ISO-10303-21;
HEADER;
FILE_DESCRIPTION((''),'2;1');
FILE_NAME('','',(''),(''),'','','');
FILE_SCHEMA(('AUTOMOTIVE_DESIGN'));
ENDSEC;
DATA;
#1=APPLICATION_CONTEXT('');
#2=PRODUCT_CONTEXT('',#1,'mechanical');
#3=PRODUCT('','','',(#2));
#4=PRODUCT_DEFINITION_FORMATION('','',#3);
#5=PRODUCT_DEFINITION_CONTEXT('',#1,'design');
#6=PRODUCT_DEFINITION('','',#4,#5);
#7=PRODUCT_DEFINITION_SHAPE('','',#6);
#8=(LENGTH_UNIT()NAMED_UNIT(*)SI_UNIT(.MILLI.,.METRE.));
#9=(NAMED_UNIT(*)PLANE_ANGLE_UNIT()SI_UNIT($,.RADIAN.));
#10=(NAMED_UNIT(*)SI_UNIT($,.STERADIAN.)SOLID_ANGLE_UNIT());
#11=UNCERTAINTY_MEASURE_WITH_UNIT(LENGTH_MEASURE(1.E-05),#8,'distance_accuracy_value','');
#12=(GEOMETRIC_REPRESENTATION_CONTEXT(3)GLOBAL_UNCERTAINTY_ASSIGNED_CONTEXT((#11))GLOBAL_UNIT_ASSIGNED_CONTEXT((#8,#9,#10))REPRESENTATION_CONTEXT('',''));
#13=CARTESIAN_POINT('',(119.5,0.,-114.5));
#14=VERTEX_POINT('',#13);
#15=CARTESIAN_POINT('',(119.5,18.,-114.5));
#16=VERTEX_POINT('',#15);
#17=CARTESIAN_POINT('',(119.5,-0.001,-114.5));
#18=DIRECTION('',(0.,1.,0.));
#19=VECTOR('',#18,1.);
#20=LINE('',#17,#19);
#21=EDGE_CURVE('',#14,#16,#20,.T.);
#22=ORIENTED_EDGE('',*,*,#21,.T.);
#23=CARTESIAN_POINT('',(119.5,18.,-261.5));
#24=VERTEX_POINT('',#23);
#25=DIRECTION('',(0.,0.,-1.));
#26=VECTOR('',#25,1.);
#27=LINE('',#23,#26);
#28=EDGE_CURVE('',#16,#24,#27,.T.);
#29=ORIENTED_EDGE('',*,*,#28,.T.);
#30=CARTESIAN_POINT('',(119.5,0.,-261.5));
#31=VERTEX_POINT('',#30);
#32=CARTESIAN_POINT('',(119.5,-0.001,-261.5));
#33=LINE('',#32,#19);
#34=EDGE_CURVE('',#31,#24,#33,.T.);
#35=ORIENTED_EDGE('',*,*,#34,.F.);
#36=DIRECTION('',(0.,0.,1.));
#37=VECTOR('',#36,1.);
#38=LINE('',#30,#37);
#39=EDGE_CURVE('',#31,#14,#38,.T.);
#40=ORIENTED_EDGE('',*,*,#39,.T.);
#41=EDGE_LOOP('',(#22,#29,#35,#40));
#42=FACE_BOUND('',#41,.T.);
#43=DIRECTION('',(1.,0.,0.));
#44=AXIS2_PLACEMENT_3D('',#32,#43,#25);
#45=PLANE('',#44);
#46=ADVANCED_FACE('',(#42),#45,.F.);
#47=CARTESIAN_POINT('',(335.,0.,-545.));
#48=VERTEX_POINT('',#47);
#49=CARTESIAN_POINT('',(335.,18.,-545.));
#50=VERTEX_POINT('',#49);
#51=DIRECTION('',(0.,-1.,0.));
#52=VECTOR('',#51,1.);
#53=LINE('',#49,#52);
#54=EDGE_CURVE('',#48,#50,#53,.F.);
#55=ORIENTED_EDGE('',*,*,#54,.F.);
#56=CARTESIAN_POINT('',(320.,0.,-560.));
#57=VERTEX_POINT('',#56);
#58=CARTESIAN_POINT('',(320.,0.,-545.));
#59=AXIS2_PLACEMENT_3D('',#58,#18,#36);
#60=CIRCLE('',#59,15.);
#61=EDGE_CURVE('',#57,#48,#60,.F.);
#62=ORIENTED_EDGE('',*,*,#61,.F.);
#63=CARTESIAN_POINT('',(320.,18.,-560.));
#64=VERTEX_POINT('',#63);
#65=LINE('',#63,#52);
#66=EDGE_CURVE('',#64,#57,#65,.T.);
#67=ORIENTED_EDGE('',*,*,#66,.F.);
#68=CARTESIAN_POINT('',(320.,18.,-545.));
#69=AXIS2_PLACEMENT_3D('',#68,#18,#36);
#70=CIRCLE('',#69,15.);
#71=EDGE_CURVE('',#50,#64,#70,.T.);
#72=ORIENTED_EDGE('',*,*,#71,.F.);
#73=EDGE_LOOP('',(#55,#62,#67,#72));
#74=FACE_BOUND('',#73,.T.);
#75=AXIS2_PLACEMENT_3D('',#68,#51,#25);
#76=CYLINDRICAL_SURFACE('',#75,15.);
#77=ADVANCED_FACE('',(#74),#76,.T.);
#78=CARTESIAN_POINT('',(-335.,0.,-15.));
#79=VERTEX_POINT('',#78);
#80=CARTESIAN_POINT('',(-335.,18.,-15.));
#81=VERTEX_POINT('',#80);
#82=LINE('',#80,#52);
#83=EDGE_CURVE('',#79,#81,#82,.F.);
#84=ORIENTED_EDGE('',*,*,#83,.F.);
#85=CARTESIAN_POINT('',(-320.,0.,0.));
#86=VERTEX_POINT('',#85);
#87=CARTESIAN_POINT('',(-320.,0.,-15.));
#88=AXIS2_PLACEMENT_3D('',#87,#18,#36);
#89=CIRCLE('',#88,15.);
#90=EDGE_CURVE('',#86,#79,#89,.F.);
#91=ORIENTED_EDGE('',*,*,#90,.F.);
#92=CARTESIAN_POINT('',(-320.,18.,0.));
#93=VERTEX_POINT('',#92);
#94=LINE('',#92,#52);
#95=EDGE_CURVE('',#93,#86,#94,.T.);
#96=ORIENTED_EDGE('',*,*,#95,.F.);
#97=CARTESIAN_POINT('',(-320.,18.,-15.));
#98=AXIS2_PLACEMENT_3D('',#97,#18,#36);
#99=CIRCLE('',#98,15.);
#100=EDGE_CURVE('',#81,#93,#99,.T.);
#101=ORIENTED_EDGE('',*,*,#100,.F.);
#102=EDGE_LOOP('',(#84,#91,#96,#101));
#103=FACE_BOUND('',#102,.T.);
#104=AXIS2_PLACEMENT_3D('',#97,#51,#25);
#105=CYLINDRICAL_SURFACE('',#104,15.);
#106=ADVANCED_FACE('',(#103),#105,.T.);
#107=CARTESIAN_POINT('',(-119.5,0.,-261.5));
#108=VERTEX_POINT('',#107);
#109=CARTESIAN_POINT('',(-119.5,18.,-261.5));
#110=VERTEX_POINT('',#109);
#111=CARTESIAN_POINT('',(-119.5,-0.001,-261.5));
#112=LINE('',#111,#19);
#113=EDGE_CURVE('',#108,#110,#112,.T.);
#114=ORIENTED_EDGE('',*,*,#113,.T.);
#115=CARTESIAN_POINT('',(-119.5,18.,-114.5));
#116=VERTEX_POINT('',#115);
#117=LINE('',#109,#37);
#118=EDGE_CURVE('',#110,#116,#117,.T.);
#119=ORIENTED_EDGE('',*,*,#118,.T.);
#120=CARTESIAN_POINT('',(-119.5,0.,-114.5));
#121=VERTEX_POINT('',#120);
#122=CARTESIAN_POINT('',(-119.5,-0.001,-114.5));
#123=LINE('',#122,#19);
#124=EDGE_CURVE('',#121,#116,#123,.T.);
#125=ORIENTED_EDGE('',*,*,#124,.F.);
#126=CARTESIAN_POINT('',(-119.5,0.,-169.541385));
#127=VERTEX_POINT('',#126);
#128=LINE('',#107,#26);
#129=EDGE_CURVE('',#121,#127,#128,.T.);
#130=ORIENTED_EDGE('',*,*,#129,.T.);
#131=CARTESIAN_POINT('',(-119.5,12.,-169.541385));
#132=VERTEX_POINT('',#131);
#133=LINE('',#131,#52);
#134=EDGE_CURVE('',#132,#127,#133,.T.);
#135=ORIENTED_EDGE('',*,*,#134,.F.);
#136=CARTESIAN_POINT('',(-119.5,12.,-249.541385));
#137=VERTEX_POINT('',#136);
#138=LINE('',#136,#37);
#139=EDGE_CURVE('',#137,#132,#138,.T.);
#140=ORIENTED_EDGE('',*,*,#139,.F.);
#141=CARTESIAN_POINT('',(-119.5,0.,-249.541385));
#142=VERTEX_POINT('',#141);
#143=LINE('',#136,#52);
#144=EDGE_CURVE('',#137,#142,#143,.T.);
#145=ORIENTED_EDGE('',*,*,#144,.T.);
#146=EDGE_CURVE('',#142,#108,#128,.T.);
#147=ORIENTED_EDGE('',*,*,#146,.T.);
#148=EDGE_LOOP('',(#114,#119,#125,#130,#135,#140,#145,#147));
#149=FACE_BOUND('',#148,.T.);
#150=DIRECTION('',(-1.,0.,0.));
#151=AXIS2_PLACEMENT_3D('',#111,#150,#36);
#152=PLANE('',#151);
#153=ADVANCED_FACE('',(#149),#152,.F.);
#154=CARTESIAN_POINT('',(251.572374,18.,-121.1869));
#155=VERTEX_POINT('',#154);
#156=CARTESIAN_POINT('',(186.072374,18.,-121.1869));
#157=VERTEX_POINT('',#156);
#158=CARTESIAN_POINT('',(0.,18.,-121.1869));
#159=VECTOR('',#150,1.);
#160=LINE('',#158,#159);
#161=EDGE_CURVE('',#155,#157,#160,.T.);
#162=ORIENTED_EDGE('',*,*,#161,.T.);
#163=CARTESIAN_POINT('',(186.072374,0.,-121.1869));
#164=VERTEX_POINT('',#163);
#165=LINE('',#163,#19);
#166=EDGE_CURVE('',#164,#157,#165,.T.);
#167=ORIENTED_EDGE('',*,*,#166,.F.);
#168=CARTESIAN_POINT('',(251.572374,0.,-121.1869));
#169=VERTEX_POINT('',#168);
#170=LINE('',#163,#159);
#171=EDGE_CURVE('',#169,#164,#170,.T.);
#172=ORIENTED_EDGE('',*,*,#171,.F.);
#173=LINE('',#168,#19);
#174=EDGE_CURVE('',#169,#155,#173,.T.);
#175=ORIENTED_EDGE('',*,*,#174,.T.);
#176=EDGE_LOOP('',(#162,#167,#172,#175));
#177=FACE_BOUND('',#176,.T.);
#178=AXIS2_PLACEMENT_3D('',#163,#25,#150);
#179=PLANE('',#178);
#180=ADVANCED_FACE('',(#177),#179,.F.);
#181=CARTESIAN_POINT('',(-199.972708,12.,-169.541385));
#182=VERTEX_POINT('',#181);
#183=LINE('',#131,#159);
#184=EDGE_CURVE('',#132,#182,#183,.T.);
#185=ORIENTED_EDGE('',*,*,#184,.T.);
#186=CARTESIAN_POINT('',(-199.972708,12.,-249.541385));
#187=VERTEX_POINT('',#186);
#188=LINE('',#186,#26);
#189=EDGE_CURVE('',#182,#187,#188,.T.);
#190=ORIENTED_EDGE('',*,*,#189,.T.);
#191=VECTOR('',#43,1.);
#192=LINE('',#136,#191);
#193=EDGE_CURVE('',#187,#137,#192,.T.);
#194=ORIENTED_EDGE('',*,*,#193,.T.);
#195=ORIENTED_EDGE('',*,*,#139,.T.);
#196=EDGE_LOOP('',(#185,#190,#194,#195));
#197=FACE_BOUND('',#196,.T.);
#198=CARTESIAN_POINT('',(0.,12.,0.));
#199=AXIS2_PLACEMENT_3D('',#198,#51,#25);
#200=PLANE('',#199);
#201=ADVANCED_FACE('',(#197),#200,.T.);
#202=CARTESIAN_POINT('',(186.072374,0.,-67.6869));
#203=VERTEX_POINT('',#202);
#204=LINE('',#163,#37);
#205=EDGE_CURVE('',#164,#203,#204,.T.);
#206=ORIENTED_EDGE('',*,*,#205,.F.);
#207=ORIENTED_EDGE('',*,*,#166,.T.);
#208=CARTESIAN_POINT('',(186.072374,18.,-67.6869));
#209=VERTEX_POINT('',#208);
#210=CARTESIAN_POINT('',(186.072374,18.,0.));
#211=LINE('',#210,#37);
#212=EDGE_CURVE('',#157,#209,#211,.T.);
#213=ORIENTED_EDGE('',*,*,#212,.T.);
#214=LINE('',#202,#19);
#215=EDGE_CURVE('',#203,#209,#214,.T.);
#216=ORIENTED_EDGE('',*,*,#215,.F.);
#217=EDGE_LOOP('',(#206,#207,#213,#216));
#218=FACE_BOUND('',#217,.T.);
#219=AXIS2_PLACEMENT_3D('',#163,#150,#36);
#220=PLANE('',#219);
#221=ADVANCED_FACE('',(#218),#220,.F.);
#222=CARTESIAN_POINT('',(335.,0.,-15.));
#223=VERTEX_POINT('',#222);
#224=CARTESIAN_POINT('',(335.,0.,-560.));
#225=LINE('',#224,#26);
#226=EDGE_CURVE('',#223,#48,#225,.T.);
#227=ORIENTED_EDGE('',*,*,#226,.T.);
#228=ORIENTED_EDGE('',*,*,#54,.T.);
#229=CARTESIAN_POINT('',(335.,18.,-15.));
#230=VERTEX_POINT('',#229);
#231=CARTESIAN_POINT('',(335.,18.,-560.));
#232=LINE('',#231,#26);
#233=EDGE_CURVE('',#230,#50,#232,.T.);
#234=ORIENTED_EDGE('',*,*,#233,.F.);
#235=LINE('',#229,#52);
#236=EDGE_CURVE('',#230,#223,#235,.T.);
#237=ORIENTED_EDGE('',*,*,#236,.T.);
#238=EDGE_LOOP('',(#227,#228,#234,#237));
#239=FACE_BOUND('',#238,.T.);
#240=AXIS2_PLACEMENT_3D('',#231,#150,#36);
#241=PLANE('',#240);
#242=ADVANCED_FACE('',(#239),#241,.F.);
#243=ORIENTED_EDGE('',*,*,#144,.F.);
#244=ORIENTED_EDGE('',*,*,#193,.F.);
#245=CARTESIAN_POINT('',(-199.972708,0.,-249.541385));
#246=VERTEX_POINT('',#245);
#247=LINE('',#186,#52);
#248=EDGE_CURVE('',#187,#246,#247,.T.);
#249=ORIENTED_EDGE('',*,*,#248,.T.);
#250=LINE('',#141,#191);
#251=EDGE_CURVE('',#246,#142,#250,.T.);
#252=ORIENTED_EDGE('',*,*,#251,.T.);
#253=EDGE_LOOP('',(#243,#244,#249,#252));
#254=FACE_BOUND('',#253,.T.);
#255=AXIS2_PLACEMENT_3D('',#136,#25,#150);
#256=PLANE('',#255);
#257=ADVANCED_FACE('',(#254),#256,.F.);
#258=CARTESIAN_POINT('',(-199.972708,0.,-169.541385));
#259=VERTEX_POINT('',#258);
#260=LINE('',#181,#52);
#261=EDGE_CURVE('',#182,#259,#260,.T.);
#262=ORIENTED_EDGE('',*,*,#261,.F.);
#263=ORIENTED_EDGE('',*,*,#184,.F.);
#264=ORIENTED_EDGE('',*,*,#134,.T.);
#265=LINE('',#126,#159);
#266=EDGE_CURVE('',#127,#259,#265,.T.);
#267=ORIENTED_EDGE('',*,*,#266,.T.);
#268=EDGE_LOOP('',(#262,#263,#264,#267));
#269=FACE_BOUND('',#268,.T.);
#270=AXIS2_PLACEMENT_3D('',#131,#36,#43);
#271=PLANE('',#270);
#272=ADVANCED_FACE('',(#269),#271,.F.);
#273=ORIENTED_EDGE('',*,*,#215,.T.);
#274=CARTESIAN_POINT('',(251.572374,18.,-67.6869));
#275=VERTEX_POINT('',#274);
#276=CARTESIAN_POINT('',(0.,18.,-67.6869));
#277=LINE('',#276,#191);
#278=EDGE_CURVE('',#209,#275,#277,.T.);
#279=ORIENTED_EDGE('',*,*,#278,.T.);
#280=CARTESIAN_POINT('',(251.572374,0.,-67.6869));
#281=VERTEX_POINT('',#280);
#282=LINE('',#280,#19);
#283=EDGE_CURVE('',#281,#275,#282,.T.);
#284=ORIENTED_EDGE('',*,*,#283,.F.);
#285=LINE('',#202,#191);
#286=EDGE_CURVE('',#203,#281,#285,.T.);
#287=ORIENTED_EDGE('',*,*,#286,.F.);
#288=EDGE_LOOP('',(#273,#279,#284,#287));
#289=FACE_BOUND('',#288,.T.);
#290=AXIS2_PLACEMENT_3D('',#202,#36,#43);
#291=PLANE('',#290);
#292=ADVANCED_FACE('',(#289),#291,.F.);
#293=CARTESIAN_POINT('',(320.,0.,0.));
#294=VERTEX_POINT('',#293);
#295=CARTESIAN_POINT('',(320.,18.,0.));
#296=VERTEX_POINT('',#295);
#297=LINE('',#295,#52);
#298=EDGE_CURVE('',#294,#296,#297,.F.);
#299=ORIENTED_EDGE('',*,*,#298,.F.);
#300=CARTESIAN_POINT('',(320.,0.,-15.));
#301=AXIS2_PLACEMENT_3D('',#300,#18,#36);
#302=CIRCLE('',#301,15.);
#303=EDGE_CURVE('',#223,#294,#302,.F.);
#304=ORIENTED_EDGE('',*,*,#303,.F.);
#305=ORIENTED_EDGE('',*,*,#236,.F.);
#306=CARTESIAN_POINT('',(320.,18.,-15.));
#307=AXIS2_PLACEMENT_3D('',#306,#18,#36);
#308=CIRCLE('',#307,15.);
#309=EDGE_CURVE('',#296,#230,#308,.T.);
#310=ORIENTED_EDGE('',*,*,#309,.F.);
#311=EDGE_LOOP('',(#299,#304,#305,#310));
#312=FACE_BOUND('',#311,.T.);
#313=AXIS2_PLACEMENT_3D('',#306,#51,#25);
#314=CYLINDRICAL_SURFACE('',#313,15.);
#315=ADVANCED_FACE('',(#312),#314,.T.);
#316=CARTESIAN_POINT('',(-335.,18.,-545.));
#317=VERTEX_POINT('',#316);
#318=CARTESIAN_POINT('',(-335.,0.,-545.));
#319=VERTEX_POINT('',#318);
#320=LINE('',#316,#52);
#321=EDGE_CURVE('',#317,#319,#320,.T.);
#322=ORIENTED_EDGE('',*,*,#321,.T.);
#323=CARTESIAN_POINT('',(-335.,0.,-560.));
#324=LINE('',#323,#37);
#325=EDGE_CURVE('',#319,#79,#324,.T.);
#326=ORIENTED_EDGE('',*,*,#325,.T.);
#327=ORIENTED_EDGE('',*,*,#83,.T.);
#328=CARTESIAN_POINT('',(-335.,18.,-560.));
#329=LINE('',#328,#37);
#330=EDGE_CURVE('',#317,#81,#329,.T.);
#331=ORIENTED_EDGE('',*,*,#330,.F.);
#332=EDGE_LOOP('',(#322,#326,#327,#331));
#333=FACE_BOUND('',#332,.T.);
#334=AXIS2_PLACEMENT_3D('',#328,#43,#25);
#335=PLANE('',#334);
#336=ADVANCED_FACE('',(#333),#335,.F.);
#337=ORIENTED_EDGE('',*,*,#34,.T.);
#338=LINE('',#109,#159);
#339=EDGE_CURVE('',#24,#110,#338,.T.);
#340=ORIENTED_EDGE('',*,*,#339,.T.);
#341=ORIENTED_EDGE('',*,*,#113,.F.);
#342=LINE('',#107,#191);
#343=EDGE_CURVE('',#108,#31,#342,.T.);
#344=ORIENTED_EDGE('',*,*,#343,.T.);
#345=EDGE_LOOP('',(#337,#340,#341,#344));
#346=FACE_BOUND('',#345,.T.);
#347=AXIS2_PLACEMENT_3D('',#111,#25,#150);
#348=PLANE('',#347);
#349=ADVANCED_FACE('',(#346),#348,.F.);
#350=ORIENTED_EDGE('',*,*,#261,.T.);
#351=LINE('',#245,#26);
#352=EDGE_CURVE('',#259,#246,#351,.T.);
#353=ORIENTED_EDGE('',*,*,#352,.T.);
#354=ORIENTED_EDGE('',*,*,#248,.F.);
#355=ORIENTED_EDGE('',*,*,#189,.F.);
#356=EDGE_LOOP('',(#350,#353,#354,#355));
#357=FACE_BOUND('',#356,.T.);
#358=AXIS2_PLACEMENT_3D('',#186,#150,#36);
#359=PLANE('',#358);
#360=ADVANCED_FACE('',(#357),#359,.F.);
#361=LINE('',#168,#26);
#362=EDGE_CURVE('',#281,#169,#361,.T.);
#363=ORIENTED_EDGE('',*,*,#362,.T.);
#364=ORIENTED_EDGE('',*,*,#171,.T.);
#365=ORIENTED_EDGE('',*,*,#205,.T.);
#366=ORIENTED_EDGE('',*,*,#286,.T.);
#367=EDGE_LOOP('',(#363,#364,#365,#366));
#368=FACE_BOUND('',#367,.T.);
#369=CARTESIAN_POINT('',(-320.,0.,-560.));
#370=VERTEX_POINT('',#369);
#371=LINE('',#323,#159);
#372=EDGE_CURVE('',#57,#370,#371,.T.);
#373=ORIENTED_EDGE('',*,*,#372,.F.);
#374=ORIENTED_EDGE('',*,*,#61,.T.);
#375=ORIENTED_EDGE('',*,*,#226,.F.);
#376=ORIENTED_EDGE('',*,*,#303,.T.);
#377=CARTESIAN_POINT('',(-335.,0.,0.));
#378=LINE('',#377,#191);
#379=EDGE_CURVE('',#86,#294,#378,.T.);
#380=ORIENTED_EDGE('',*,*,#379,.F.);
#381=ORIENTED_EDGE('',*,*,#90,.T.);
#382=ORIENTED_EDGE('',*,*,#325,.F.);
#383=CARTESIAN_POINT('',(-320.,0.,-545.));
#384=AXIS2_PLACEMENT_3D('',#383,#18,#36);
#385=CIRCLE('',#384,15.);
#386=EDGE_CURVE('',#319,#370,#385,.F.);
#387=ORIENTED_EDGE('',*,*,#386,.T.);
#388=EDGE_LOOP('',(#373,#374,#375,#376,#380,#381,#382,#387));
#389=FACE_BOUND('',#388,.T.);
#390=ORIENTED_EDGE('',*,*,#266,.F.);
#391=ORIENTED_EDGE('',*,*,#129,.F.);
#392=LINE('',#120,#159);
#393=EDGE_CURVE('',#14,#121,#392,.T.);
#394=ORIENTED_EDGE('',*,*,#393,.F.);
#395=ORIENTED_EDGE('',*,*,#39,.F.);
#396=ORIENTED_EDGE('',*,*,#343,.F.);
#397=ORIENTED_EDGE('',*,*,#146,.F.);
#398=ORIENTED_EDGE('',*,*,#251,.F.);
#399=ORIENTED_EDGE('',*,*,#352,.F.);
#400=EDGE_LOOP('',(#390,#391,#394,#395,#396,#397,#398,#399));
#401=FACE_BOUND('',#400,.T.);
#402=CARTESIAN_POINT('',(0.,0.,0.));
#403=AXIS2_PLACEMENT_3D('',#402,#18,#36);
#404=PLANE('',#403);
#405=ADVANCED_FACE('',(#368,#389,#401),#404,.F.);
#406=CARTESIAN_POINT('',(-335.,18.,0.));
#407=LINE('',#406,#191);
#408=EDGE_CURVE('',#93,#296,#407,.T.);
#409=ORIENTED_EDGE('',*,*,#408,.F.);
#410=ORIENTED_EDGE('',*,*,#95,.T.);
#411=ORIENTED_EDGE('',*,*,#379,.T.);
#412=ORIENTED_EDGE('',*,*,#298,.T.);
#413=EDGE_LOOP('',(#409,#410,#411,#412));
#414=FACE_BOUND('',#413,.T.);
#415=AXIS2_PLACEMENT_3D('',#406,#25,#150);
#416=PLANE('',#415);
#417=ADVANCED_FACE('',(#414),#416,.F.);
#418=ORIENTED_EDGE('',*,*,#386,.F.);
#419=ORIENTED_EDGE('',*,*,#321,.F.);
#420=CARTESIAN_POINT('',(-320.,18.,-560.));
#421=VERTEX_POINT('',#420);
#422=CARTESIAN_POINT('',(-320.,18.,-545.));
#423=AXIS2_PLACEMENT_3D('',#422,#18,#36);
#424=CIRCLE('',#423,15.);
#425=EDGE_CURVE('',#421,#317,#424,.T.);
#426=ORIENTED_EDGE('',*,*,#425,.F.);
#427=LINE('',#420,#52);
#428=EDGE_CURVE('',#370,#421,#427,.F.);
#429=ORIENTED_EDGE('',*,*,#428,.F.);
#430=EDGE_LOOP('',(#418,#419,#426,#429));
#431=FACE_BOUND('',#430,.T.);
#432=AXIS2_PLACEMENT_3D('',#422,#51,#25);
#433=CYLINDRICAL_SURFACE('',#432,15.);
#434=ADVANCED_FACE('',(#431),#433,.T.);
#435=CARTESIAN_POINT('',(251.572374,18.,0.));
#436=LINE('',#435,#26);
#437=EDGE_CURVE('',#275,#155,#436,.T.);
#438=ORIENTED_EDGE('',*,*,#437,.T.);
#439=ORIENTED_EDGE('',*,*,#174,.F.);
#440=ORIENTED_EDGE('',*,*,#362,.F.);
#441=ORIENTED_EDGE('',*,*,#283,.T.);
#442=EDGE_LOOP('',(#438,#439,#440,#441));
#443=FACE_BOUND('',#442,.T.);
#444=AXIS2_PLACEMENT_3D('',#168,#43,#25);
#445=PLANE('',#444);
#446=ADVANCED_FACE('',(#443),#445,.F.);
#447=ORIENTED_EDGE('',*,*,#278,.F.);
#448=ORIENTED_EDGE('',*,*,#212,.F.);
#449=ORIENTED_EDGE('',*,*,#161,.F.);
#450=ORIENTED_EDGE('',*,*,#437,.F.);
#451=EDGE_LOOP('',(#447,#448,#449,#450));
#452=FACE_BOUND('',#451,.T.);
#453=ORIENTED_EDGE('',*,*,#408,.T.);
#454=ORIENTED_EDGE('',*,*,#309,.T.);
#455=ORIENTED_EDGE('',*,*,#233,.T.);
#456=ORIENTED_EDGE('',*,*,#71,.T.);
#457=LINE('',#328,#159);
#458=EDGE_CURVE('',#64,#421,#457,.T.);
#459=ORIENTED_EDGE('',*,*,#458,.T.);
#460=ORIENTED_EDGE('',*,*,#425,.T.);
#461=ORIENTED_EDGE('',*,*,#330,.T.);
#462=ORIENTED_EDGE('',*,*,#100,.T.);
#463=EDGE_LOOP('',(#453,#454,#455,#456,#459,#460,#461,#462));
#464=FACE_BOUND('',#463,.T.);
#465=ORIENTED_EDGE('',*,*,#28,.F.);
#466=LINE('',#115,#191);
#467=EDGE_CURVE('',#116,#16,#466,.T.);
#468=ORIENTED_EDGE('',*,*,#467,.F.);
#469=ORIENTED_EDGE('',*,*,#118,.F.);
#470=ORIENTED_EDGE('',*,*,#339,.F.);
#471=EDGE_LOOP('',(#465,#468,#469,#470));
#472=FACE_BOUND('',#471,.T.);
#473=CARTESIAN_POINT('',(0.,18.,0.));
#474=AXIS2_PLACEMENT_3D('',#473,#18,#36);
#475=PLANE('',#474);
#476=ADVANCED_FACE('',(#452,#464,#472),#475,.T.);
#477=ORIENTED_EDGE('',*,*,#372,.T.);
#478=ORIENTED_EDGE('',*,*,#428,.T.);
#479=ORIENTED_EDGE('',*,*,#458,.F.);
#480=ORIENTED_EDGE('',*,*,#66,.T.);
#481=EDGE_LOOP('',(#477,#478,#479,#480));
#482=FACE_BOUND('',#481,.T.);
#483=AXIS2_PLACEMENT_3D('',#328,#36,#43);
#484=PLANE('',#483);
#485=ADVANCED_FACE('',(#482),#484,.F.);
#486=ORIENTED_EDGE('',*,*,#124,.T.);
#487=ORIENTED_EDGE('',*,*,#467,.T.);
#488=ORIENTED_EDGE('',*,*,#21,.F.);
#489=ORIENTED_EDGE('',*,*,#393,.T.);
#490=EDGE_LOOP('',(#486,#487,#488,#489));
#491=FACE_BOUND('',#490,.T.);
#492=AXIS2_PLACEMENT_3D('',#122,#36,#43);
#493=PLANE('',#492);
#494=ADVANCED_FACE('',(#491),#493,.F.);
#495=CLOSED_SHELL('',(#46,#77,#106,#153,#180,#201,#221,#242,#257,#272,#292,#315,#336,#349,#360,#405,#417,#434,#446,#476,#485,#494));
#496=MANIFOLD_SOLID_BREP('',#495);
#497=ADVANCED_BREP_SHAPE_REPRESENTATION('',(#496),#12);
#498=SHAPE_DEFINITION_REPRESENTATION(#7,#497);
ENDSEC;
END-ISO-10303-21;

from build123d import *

# Parameters (mm, degrees)
SKETCH_1_W               = 670
SKETCH_1_H               = 560
EXTRUDE_1_DEPTH          = 18
CUT_EXTRUDE_1_DEPTH      = 653.80088848
CUT_EXTRUDE_1_DEPTH_BACK = 653.80088848
SKETCH_2_W               = 65.5
SKETCH_2_H               = 53.5
CUT_EXTRUDE_2_DEPTH      = 653.80088848
CUT_EXTRUDE_2_DEPTH_BACK = 653.80088848
SKETCH_3_W               = 228
SKETCH_3_H               = 136
CUT_EXTRUDE_3_REACH      = 654.801
SKETCH_4_W               = 239
SKETCH_4_H               = 147
FILLET_1_R               = 15
SKETCH_8_W               = 80.472707968
SKETCH_8_H               = 80
CUT_EXTRUDE_4_DEPTH      = 12


with BuildPart() as part:
    # 草图1 → 凸台-拉伸1 (new body)
    with BuildSketch(Plane(origin=(0, 0, 0), x_dir=(1, 0, 0), z_dir=(0, 1, 0))):
        with Locations((0, 280)):
            Rectangle(SKETCH_1_W, SKETCH_1_H)
    extrude(amount=EXTRUDE_1_DEPTH)

    # 草图2 → 切除-拉伸1 (cut, two sides: drawn at the far end of the back side and taken through both)
    with BuildSketch(Plane(origin=(0, 18, 0), x_dir=(1, 0, 0), z_dir=(0, 1, 0)).offset(-CUT_EXTRUDE_1_DEPTH_BACK)):
        with Locations((218.822373939, 94.436899918)):
            Rectangle(SKETCH_2_W, SKETCH_2_H)
    extrude(amount=CUT_EXTRUDE_1_DEPTH + CUT_EXTRUDE_1_DEPTH_BACK, mode=Mode.SUBTRACT)

    # 草图3 → 切除-拉伸2 (cut, two sides: drawn at the far end of the back side and taken through both)
    with BuildSketch(Plane(origin=(0, 18, 0), x_dir=(1, 0, 0), z_dir=(0, 1, 0)).offset(-CUT_EXTRUDE_2_DEPTH_BACK)):
        with Locations((0, 188)):
            Rectangle(SKETCH_3_W, SKETCH_3_H)
    extrude(amount=CUT_EXTRUDE_2_DEPTH + CUT_EXTRUDE_2_DEPTH_BACK, mode=Mode.SUBTRACT)

    # 草图4 → 切除-拉伸3 (cut, up to next)
    with BuildSketch(Plane(origin=(0, 18, 0), x_dir=(1, 0, 0), z_dir=(0, 1, 0)), mode=Mode.PRIVATE) as cut_extrude_3_sk1:
        with Locations((0, 188)):
            Rectangle(SKETCH_4_W, SKETCH_4_H)
    cut_extrude_3_tool1 = extrude(cut_extrude_3_sk1.sketch, amount=-CUT_EXTRUDE_3_REACH, mode=Mode.PRIVATE) & part.part
    add(cut_extrude_3_tool1.solids().sort_by_distance((0, 18, -188))[0], mode=Mode.SUBTRACT)

    # 圆角1
    fillet_1_edges = [part.edges().sort_by_distance(p)[0] for p in [
        (-335, 9, -560),
        (335, 9, -560),
        (335, 9, 0),
        (-335, 9, 0),
    ]]
    fillet(fillet_1_edges, radius=FILLET_1_R)

    # 草图8 → 切除-拉伸4 (cut)
    with BuildSketch(Plane.XZ):
        with Locations((-159.736353984, -209.541384695)):
            Rectangle(SKETCH_8_W, SKETCH_8_H)
    extrude(amount=-CUT_EXTRUDE_4_DEPTH, mode=Mode.SUBTRACT)


solid = part.part
